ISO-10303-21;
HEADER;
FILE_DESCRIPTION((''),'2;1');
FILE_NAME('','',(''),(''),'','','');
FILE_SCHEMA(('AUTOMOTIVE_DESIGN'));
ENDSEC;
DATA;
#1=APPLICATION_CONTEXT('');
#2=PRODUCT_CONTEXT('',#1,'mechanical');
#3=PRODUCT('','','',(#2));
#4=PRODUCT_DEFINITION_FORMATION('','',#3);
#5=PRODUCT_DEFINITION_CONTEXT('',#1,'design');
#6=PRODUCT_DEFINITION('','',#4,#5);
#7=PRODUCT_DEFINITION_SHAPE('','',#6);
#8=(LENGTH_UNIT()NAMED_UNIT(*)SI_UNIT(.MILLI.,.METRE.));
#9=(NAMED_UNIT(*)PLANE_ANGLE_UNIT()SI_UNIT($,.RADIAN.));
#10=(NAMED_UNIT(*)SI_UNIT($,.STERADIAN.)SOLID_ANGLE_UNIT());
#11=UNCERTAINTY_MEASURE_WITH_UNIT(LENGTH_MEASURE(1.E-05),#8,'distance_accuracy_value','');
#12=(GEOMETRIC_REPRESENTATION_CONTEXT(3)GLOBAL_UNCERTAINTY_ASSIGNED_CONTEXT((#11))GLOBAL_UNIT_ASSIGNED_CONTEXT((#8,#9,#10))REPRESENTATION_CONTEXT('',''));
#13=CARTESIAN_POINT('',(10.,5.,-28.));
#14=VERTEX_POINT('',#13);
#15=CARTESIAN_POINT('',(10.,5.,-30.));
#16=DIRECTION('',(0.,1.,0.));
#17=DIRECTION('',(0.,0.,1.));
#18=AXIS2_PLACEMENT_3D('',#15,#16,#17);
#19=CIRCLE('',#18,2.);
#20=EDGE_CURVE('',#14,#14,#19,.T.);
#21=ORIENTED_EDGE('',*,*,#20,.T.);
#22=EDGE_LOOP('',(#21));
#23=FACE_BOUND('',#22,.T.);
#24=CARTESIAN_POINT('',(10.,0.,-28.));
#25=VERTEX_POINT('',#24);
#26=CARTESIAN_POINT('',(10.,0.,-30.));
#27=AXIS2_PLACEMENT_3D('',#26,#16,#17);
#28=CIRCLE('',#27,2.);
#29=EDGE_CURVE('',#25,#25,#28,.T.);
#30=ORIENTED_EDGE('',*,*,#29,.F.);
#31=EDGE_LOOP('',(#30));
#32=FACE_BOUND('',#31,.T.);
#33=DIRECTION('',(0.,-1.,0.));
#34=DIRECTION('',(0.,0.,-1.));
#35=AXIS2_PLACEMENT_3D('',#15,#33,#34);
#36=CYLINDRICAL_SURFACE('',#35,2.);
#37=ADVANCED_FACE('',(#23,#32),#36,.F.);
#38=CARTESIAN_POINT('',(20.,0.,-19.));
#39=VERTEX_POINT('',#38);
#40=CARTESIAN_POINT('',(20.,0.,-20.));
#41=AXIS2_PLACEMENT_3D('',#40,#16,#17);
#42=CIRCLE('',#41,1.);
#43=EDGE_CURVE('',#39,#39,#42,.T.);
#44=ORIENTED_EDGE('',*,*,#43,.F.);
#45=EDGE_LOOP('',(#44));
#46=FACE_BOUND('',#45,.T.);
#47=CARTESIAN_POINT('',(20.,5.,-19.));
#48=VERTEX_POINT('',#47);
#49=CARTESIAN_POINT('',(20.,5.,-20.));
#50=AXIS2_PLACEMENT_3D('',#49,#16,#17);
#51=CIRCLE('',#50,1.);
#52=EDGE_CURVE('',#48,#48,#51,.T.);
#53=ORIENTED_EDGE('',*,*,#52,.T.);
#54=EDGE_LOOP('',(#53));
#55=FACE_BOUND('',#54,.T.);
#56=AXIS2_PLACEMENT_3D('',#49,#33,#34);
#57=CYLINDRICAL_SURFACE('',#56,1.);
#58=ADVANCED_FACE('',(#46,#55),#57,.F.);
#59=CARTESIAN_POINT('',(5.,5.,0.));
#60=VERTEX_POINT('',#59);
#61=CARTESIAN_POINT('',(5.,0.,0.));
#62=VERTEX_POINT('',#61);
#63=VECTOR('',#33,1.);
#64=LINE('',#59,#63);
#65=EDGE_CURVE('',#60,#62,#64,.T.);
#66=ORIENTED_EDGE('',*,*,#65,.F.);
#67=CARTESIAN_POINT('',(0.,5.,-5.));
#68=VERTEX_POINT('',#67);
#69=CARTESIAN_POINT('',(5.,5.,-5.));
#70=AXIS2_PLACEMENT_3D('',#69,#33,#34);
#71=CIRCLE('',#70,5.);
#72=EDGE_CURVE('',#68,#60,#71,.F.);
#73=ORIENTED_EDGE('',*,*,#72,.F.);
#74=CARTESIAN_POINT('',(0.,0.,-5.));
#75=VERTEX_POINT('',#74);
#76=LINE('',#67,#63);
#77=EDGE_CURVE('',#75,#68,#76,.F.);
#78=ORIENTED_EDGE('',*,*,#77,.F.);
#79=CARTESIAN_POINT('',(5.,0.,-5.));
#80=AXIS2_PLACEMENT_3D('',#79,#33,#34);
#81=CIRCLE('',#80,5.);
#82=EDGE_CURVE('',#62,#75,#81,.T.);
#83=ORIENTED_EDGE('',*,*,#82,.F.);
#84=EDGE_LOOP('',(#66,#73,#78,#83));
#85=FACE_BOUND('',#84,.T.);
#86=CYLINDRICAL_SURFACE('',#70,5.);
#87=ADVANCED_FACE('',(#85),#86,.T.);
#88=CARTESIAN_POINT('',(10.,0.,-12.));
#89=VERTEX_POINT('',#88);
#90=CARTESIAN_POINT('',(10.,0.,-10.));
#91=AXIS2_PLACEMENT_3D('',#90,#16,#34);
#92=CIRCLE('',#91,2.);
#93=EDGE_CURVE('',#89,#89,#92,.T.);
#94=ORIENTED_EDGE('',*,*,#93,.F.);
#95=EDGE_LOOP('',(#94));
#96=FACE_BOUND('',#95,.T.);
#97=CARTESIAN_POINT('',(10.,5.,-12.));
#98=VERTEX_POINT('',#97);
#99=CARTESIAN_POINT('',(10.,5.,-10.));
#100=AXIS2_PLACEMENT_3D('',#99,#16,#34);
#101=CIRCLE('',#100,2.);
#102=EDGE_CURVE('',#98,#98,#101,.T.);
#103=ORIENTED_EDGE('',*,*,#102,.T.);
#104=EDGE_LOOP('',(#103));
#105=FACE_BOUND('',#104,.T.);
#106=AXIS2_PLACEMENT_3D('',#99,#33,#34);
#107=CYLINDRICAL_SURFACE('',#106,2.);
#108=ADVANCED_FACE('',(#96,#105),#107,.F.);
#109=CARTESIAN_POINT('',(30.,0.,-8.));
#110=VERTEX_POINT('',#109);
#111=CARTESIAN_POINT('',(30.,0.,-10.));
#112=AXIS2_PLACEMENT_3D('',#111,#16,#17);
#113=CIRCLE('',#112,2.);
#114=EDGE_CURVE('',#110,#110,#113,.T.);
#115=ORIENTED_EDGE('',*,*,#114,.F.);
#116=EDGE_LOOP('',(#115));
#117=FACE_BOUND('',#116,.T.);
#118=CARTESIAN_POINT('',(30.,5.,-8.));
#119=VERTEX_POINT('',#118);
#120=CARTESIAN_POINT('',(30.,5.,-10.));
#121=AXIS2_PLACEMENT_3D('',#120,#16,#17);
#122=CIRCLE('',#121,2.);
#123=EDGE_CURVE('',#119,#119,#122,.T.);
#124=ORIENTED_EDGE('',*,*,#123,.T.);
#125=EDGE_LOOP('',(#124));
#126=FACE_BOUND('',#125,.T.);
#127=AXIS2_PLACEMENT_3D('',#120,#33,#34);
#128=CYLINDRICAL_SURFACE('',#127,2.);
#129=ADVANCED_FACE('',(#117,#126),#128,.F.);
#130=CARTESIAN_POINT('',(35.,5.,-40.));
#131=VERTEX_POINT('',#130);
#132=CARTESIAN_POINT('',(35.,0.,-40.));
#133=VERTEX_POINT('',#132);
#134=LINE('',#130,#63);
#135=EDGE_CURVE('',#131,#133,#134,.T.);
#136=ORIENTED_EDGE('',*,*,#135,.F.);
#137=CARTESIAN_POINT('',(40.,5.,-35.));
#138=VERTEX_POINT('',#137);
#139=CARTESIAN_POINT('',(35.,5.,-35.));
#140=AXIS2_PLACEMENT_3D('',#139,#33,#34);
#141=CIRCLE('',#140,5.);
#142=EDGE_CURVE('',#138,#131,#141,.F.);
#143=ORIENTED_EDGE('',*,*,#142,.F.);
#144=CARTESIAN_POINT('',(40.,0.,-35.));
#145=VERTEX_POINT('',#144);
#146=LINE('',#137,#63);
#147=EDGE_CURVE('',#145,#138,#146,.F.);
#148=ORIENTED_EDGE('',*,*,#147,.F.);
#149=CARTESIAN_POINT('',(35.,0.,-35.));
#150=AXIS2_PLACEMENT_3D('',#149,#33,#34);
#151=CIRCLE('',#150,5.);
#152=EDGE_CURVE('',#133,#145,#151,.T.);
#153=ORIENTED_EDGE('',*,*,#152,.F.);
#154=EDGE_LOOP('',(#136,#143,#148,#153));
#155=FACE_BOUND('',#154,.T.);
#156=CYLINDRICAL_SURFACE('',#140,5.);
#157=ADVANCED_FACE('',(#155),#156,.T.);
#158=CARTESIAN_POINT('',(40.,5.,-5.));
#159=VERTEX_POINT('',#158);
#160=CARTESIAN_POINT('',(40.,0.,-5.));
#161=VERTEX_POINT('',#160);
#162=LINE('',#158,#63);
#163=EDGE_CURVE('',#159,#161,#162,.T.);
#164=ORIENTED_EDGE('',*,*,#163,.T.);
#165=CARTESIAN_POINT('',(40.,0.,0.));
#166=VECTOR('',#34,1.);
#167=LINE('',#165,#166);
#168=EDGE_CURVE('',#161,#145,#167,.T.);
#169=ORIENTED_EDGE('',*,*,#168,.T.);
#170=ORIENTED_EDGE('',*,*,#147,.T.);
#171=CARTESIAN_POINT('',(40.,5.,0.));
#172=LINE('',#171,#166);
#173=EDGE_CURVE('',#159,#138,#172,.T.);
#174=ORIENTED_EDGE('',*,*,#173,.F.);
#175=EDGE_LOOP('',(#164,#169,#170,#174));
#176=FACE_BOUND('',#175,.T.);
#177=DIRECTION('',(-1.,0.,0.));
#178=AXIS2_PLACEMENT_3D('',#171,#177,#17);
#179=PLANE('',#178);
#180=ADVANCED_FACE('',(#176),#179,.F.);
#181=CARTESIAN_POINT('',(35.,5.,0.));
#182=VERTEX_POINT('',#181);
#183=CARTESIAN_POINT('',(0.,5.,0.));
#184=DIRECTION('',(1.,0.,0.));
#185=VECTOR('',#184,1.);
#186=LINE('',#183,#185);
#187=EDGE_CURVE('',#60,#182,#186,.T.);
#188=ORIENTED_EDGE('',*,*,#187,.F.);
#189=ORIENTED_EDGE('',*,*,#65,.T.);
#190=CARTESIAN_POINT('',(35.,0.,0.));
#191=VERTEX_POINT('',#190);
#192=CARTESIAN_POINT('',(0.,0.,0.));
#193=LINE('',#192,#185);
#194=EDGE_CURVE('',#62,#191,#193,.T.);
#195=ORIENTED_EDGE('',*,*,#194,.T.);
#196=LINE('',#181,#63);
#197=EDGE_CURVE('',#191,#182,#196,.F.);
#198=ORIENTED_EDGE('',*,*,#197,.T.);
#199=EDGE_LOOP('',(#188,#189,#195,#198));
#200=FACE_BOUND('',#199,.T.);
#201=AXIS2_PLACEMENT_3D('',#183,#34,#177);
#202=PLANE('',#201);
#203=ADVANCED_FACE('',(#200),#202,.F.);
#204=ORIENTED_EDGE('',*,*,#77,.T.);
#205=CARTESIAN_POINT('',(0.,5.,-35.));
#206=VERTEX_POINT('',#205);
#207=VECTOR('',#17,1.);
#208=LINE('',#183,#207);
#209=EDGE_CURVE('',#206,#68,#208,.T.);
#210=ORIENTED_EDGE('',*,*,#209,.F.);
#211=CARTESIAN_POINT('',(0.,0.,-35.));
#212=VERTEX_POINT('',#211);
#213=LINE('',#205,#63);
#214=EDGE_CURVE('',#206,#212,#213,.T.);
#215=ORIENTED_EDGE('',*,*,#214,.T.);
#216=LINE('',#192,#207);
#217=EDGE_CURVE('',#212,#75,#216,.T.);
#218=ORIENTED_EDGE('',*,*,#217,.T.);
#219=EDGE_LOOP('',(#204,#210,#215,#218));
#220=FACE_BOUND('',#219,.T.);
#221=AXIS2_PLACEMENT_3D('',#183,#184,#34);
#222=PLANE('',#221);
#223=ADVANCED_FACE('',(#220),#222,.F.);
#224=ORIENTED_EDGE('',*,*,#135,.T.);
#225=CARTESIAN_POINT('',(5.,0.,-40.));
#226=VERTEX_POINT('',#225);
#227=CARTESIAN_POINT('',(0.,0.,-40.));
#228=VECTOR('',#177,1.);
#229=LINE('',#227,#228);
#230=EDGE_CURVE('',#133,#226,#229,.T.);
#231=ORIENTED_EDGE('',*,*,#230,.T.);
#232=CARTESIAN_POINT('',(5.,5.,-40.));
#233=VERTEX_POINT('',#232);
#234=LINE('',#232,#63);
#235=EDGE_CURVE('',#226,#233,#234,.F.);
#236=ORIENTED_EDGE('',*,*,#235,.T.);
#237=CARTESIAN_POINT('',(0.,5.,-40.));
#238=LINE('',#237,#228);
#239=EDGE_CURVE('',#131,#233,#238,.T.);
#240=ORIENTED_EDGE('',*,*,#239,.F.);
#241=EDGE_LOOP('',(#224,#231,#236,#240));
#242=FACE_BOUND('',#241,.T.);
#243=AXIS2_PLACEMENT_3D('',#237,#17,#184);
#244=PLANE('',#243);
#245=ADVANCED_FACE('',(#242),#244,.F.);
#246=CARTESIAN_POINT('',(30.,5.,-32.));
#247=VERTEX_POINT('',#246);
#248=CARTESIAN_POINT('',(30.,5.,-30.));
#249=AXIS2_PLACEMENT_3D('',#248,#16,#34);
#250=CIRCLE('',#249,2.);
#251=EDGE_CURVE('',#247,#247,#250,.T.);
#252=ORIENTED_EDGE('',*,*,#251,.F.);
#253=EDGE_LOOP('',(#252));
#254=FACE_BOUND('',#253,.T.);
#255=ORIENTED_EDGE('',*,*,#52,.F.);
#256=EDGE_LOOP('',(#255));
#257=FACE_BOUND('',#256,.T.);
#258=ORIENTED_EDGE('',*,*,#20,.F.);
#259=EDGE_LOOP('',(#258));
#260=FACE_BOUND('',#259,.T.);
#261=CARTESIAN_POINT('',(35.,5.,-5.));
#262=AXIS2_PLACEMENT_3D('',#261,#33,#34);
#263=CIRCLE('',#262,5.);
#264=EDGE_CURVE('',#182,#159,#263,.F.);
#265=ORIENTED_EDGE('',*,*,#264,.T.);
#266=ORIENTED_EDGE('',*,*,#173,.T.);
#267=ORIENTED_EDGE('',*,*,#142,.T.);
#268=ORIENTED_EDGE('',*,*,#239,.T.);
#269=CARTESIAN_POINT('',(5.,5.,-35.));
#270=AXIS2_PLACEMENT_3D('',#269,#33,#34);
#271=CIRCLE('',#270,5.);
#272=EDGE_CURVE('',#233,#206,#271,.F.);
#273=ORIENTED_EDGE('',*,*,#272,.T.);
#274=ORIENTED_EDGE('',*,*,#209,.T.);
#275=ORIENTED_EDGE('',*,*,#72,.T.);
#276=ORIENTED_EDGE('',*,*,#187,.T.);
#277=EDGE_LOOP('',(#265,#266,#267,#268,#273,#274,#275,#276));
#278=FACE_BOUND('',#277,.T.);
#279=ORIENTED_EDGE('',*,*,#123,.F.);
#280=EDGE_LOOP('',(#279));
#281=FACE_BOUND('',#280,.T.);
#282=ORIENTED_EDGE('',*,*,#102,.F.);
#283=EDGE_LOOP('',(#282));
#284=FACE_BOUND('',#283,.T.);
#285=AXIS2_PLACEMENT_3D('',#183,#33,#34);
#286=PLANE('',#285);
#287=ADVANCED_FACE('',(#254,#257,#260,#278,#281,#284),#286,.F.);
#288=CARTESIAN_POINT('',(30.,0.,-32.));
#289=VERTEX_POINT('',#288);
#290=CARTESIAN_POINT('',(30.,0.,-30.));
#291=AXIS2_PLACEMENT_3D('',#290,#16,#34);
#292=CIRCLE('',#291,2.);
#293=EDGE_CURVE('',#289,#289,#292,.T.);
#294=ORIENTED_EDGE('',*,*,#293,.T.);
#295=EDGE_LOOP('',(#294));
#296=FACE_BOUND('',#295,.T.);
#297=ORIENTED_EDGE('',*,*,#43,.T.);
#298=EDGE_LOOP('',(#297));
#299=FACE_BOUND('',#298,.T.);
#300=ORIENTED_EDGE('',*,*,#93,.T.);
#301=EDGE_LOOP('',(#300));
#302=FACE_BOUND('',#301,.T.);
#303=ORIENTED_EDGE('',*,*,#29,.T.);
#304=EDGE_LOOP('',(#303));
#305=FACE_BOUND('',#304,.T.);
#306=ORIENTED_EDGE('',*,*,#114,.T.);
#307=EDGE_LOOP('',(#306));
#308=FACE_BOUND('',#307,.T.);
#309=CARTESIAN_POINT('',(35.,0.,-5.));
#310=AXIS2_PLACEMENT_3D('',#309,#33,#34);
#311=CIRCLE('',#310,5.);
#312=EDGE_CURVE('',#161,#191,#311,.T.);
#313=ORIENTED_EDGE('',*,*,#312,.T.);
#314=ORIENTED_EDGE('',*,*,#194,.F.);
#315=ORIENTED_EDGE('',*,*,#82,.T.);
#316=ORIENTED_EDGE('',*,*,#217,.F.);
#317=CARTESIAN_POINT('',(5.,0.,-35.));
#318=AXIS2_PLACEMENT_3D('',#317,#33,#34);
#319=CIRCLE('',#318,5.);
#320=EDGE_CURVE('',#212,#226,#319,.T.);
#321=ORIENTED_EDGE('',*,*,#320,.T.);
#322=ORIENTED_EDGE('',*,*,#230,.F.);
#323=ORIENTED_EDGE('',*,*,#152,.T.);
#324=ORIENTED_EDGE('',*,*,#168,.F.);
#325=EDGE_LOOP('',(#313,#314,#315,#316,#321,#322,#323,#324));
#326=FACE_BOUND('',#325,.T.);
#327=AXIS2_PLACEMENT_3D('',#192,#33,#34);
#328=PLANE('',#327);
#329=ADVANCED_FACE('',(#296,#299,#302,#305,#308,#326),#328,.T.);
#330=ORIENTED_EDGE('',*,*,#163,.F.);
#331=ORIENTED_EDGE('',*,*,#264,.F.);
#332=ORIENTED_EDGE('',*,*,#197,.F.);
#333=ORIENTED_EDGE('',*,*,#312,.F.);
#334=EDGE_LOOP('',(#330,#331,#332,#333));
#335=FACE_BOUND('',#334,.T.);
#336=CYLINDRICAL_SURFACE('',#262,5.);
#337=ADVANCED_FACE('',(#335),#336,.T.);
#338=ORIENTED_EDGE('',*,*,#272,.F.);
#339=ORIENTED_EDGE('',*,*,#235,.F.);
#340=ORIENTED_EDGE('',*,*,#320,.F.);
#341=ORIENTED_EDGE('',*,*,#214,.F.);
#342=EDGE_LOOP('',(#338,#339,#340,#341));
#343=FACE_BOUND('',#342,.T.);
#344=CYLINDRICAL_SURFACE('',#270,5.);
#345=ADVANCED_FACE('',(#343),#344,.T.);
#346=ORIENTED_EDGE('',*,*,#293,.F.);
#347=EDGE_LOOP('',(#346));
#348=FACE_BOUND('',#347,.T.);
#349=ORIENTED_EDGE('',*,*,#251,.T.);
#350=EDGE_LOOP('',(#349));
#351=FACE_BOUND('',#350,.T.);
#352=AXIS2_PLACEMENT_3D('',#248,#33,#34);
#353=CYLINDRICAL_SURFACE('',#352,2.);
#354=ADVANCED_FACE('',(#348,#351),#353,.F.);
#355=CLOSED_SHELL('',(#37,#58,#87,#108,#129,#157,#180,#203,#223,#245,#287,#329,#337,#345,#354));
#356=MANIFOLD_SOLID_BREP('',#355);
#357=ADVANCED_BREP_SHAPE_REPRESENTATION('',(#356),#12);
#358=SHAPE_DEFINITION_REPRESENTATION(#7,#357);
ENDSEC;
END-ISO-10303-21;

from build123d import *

# Parameters (mm, degrees)
SKETCH1_W           = 40
SKETCH1_H           = 40
SKETCH1_R           = 2
SKETCH1_R_2         = 1
BOSS_EXTRUDE1_DEPTH = 5
FILLET1_R           = 5


with BuildPart() as part:
    # Sketch1 → Boss-Extrude1 (new body)
    with BuildSketch(Plane(origin=(0, 0, 0), x_dir=(1, 0, 0), z_dir=(0, 1, 0))):
        with Locations((20, 20)):
            Rectangle(SKETCH1_W, SKETCH1_H)
        with Locations(Location((10, 30, 0), (0, 0, 270))):
            Circle(SKETCH1_R, mode=Mode.SUBTRACT)
        with Locations(Location((30, 30, 0), (0, 0, 90))):
            Circle(SKETCH1_R, mode=Mode.SUBTRACT)
        with Locations(Location((30, 10, 0), (0, 0, 270))):
            Circle(SKETCH1_R, mode=Mode.SUBTRACT)
        with Locations(Location((10, 10, 0), (0, 0, 90))):
            Circle(SKETCH1_R, mode=Mode.SUBTRACT)
        with Locations(Location((20, 20, 0), (0, 0, 270))):
            Circle(SKETCH1_R_2, mode=Mode.SUBTRACT)
    extrude(amount=BOSS_EXTRUDE1_DEPTH)

    # Fillet1
    fillet1_edges = [part.edges().sort_by_distance(p)[0] for p in [
        (0, 2.5, -40),
        (40, 2.5, -40),
        (40, 2.5, 0),
        (0, 2.5, 0),
    ]]
    fillet(fillet1_edges, radius=FILLET1_R)


solid = part.part
